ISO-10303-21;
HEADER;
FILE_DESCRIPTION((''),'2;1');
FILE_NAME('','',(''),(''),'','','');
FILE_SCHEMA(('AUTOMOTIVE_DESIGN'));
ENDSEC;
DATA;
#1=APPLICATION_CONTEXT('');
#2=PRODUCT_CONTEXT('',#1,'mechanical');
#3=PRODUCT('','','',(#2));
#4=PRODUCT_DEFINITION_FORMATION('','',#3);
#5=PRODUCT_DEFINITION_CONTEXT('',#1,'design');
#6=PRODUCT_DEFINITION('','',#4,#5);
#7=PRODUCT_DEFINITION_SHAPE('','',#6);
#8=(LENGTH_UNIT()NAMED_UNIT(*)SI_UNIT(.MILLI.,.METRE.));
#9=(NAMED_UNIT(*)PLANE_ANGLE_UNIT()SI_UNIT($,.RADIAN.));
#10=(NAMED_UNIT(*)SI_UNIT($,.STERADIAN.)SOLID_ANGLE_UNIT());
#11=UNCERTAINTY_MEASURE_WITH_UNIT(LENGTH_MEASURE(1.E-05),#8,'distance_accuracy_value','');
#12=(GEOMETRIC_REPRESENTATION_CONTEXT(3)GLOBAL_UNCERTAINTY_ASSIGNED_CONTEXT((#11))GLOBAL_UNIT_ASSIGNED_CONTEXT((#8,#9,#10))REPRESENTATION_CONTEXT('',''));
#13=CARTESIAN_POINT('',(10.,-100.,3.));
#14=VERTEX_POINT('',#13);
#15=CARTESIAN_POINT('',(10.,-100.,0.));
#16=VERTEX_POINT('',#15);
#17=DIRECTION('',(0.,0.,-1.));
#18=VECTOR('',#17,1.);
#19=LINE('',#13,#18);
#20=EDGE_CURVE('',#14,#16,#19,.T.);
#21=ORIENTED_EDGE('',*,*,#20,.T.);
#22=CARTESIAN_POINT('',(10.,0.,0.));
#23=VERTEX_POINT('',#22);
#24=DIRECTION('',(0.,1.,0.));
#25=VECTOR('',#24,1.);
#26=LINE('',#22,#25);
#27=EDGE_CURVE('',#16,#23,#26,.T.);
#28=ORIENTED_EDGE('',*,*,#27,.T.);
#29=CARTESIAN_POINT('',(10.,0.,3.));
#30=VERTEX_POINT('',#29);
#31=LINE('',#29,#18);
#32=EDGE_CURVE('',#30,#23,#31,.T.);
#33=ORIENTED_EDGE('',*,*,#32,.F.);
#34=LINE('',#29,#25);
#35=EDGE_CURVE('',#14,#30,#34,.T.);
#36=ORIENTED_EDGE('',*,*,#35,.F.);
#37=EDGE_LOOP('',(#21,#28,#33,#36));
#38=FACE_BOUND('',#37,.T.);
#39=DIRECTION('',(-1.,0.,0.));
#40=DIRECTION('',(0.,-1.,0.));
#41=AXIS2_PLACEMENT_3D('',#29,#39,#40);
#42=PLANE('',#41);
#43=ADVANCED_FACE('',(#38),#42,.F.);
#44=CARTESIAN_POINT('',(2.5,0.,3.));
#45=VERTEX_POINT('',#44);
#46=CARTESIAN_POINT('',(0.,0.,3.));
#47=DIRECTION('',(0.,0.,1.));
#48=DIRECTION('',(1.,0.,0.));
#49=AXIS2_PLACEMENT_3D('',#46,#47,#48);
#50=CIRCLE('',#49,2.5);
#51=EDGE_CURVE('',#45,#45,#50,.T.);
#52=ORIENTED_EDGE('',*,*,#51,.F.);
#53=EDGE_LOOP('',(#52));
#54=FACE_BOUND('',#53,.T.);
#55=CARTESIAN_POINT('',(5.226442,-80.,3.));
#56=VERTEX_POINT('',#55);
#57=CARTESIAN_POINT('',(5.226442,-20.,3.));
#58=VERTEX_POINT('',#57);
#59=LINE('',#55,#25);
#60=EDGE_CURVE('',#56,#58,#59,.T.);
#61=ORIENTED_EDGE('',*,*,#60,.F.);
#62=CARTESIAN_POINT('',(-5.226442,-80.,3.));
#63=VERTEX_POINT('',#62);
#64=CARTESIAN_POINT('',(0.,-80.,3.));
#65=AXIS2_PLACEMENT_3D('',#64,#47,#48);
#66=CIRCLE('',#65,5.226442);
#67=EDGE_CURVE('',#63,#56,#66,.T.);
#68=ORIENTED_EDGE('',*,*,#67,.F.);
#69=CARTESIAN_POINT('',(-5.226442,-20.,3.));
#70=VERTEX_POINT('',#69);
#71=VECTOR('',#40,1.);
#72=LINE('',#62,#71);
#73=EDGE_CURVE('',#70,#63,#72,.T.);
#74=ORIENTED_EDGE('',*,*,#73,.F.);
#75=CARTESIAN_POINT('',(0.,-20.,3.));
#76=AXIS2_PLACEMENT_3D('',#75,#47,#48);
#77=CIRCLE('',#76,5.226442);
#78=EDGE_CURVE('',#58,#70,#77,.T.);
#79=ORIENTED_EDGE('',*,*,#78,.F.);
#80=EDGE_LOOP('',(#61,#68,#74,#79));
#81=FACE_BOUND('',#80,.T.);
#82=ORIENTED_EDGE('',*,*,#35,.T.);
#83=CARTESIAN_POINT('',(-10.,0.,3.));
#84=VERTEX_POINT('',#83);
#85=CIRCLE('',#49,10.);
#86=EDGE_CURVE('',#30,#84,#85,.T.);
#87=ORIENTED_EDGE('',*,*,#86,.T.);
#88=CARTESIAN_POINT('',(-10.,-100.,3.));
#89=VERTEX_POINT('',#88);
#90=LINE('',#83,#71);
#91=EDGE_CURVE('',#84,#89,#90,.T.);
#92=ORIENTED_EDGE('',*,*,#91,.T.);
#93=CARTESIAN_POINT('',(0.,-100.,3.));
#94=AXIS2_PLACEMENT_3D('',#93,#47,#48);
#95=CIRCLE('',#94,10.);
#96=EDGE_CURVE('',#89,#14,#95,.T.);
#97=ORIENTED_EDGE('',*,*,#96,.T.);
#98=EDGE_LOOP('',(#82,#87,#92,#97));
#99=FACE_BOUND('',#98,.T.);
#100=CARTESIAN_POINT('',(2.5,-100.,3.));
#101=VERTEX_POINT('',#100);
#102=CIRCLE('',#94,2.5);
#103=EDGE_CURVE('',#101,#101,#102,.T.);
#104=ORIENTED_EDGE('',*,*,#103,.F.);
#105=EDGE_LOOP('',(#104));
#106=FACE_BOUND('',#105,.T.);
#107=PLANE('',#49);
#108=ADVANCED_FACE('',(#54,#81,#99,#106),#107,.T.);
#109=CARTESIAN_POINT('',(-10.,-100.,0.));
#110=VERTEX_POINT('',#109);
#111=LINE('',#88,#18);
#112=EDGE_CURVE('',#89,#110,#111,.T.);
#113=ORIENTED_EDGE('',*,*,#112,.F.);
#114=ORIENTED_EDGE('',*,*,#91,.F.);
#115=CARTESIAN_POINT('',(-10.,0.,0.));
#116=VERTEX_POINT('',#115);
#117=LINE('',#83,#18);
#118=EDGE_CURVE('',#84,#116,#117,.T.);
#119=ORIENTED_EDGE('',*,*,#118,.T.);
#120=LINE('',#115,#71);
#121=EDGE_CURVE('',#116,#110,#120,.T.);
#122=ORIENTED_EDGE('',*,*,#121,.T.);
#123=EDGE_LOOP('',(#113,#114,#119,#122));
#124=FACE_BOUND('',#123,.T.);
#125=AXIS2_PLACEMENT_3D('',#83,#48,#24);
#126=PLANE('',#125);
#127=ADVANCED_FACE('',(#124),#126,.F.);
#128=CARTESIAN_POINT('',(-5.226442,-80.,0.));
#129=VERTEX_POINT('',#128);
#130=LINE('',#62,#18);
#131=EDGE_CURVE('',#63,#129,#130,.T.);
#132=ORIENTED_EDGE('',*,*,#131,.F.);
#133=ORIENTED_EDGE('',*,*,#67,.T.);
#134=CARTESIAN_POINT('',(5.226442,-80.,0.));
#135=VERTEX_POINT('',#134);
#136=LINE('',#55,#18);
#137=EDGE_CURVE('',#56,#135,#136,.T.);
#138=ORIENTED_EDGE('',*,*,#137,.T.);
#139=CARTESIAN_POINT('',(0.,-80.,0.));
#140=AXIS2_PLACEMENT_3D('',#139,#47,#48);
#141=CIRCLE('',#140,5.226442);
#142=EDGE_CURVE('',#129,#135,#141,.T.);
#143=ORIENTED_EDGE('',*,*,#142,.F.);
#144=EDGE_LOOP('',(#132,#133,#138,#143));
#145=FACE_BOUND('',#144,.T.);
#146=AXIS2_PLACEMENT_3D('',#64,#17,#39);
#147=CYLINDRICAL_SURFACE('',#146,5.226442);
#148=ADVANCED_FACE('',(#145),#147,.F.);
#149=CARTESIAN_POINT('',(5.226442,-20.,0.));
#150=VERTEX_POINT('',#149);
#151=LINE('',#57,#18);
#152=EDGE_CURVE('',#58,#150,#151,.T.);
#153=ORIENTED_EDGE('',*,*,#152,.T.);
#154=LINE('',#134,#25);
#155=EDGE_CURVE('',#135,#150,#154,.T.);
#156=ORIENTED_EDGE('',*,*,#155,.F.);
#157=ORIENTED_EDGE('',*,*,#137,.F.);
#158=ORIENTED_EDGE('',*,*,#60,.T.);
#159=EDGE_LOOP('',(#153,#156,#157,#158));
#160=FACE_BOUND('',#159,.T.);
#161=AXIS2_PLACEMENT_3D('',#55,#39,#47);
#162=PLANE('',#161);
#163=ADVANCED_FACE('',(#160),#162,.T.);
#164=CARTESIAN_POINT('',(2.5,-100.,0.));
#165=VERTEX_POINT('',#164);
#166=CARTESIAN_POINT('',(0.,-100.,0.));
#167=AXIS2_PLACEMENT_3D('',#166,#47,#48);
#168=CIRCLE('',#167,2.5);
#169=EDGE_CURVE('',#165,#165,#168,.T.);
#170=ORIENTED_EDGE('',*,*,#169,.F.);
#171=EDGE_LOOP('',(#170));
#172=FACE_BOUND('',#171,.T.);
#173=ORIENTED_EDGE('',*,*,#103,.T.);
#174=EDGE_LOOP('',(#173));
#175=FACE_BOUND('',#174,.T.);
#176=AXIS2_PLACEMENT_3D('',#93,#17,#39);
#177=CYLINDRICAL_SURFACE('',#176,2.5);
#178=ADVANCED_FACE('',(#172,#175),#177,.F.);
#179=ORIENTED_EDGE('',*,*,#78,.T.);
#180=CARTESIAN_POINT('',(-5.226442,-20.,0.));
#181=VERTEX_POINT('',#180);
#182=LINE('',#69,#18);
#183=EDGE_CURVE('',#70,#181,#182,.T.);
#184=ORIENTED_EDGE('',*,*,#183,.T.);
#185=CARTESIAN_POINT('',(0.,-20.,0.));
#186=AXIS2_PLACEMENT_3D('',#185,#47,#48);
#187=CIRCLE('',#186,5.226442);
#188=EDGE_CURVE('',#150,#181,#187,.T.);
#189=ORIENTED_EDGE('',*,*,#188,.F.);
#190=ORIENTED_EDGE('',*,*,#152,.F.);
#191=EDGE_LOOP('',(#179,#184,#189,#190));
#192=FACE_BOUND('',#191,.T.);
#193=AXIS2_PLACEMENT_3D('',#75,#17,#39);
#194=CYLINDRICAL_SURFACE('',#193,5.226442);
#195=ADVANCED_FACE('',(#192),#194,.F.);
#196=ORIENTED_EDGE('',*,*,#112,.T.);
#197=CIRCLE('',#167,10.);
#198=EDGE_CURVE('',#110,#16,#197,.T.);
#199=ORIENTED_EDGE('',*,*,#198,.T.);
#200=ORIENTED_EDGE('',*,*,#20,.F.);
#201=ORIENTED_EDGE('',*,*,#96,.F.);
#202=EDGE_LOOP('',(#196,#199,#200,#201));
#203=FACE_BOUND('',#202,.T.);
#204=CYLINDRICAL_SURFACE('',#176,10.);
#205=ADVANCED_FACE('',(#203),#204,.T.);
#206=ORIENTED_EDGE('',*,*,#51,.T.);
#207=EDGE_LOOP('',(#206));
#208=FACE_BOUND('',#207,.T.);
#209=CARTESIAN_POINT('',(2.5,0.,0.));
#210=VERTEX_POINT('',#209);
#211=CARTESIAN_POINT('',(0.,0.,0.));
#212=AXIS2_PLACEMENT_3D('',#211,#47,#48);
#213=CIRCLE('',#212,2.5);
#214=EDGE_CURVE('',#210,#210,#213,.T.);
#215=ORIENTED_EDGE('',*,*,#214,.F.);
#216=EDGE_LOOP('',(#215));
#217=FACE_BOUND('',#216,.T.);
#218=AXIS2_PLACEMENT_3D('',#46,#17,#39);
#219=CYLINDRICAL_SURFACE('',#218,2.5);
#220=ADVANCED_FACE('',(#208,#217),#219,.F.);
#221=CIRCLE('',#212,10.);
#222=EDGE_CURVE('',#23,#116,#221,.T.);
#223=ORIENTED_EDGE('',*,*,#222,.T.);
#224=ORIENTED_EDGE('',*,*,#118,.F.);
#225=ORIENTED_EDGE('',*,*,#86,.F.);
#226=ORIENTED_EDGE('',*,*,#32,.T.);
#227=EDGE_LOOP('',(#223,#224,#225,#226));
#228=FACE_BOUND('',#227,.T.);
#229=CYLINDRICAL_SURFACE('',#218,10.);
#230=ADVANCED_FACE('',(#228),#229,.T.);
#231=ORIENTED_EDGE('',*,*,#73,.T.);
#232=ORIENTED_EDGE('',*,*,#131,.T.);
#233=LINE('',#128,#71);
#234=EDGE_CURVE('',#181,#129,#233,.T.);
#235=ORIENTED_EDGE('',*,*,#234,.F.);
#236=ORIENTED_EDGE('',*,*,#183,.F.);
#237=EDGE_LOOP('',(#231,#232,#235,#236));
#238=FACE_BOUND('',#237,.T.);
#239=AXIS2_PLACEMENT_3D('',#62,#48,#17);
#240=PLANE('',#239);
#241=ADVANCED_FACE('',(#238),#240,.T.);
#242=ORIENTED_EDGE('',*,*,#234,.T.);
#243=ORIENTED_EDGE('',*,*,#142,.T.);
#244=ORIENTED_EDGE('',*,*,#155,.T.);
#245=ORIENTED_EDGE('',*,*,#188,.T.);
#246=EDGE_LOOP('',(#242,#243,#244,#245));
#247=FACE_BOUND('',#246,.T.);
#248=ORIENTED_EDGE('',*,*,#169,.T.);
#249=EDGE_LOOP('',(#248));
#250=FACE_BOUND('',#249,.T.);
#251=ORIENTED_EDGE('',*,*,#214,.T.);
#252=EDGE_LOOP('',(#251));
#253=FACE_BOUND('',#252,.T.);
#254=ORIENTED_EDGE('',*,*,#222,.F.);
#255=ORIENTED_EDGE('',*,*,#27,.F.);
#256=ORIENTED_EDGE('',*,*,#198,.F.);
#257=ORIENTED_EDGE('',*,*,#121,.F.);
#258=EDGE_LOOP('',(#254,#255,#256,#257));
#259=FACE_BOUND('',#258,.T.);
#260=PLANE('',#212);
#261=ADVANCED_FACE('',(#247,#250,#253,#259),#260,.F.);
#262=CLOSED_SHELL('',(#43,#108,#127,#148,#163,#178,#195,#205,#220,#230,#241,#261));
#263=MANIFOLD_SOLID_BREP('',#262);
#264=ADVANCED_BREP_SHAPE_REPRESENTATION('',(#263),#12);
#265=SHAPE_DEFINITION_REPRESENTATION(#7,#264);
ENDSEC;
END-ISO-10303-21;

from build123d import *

# Parameters (mm, degrees)
SKETCH1_R           = 2.5
BOSS_EXTRUDE1_DEPTH = 3


with BuildPart() as part:
    # Sketch1 → Boss-Extrude1 (new body)
    with BuildSketch(Plane.XY):
        with BuildLine():
            Line((10, 0), (10, -100))
            ThreePointArc((10, -100), (0, -110), (-10, -100))
            Line((-10, -100), (-10, 0))
            ThreePointArc((-10, 0), (0, 10), (10, 0))
        make_face()
        Circle(SKETCH1_R, mode=Mode.SUBTRACT)
        with Locations((0, -100)):
            Circle(SKETCH1_R, mode=Mode.SUBTRACT)
        with BuildLine():
            Line((-5.226442404, -80), (-5.226442404, -20))
            ThreePointArc((-5.226442404, -20), (0, -14.773557596), (5.226442404, -20))
            Line((5.226442404, -20), (5.226442404, -80))
            ThreePointArc((5.226442404, -80), (0, -85.226442404), (-5.226442404, -80))
        make_face(mode=Mode.SUBTRACT)
    extrude(amount=BOSS_EXTRUDE1_DEPTH)


solid = part.part
